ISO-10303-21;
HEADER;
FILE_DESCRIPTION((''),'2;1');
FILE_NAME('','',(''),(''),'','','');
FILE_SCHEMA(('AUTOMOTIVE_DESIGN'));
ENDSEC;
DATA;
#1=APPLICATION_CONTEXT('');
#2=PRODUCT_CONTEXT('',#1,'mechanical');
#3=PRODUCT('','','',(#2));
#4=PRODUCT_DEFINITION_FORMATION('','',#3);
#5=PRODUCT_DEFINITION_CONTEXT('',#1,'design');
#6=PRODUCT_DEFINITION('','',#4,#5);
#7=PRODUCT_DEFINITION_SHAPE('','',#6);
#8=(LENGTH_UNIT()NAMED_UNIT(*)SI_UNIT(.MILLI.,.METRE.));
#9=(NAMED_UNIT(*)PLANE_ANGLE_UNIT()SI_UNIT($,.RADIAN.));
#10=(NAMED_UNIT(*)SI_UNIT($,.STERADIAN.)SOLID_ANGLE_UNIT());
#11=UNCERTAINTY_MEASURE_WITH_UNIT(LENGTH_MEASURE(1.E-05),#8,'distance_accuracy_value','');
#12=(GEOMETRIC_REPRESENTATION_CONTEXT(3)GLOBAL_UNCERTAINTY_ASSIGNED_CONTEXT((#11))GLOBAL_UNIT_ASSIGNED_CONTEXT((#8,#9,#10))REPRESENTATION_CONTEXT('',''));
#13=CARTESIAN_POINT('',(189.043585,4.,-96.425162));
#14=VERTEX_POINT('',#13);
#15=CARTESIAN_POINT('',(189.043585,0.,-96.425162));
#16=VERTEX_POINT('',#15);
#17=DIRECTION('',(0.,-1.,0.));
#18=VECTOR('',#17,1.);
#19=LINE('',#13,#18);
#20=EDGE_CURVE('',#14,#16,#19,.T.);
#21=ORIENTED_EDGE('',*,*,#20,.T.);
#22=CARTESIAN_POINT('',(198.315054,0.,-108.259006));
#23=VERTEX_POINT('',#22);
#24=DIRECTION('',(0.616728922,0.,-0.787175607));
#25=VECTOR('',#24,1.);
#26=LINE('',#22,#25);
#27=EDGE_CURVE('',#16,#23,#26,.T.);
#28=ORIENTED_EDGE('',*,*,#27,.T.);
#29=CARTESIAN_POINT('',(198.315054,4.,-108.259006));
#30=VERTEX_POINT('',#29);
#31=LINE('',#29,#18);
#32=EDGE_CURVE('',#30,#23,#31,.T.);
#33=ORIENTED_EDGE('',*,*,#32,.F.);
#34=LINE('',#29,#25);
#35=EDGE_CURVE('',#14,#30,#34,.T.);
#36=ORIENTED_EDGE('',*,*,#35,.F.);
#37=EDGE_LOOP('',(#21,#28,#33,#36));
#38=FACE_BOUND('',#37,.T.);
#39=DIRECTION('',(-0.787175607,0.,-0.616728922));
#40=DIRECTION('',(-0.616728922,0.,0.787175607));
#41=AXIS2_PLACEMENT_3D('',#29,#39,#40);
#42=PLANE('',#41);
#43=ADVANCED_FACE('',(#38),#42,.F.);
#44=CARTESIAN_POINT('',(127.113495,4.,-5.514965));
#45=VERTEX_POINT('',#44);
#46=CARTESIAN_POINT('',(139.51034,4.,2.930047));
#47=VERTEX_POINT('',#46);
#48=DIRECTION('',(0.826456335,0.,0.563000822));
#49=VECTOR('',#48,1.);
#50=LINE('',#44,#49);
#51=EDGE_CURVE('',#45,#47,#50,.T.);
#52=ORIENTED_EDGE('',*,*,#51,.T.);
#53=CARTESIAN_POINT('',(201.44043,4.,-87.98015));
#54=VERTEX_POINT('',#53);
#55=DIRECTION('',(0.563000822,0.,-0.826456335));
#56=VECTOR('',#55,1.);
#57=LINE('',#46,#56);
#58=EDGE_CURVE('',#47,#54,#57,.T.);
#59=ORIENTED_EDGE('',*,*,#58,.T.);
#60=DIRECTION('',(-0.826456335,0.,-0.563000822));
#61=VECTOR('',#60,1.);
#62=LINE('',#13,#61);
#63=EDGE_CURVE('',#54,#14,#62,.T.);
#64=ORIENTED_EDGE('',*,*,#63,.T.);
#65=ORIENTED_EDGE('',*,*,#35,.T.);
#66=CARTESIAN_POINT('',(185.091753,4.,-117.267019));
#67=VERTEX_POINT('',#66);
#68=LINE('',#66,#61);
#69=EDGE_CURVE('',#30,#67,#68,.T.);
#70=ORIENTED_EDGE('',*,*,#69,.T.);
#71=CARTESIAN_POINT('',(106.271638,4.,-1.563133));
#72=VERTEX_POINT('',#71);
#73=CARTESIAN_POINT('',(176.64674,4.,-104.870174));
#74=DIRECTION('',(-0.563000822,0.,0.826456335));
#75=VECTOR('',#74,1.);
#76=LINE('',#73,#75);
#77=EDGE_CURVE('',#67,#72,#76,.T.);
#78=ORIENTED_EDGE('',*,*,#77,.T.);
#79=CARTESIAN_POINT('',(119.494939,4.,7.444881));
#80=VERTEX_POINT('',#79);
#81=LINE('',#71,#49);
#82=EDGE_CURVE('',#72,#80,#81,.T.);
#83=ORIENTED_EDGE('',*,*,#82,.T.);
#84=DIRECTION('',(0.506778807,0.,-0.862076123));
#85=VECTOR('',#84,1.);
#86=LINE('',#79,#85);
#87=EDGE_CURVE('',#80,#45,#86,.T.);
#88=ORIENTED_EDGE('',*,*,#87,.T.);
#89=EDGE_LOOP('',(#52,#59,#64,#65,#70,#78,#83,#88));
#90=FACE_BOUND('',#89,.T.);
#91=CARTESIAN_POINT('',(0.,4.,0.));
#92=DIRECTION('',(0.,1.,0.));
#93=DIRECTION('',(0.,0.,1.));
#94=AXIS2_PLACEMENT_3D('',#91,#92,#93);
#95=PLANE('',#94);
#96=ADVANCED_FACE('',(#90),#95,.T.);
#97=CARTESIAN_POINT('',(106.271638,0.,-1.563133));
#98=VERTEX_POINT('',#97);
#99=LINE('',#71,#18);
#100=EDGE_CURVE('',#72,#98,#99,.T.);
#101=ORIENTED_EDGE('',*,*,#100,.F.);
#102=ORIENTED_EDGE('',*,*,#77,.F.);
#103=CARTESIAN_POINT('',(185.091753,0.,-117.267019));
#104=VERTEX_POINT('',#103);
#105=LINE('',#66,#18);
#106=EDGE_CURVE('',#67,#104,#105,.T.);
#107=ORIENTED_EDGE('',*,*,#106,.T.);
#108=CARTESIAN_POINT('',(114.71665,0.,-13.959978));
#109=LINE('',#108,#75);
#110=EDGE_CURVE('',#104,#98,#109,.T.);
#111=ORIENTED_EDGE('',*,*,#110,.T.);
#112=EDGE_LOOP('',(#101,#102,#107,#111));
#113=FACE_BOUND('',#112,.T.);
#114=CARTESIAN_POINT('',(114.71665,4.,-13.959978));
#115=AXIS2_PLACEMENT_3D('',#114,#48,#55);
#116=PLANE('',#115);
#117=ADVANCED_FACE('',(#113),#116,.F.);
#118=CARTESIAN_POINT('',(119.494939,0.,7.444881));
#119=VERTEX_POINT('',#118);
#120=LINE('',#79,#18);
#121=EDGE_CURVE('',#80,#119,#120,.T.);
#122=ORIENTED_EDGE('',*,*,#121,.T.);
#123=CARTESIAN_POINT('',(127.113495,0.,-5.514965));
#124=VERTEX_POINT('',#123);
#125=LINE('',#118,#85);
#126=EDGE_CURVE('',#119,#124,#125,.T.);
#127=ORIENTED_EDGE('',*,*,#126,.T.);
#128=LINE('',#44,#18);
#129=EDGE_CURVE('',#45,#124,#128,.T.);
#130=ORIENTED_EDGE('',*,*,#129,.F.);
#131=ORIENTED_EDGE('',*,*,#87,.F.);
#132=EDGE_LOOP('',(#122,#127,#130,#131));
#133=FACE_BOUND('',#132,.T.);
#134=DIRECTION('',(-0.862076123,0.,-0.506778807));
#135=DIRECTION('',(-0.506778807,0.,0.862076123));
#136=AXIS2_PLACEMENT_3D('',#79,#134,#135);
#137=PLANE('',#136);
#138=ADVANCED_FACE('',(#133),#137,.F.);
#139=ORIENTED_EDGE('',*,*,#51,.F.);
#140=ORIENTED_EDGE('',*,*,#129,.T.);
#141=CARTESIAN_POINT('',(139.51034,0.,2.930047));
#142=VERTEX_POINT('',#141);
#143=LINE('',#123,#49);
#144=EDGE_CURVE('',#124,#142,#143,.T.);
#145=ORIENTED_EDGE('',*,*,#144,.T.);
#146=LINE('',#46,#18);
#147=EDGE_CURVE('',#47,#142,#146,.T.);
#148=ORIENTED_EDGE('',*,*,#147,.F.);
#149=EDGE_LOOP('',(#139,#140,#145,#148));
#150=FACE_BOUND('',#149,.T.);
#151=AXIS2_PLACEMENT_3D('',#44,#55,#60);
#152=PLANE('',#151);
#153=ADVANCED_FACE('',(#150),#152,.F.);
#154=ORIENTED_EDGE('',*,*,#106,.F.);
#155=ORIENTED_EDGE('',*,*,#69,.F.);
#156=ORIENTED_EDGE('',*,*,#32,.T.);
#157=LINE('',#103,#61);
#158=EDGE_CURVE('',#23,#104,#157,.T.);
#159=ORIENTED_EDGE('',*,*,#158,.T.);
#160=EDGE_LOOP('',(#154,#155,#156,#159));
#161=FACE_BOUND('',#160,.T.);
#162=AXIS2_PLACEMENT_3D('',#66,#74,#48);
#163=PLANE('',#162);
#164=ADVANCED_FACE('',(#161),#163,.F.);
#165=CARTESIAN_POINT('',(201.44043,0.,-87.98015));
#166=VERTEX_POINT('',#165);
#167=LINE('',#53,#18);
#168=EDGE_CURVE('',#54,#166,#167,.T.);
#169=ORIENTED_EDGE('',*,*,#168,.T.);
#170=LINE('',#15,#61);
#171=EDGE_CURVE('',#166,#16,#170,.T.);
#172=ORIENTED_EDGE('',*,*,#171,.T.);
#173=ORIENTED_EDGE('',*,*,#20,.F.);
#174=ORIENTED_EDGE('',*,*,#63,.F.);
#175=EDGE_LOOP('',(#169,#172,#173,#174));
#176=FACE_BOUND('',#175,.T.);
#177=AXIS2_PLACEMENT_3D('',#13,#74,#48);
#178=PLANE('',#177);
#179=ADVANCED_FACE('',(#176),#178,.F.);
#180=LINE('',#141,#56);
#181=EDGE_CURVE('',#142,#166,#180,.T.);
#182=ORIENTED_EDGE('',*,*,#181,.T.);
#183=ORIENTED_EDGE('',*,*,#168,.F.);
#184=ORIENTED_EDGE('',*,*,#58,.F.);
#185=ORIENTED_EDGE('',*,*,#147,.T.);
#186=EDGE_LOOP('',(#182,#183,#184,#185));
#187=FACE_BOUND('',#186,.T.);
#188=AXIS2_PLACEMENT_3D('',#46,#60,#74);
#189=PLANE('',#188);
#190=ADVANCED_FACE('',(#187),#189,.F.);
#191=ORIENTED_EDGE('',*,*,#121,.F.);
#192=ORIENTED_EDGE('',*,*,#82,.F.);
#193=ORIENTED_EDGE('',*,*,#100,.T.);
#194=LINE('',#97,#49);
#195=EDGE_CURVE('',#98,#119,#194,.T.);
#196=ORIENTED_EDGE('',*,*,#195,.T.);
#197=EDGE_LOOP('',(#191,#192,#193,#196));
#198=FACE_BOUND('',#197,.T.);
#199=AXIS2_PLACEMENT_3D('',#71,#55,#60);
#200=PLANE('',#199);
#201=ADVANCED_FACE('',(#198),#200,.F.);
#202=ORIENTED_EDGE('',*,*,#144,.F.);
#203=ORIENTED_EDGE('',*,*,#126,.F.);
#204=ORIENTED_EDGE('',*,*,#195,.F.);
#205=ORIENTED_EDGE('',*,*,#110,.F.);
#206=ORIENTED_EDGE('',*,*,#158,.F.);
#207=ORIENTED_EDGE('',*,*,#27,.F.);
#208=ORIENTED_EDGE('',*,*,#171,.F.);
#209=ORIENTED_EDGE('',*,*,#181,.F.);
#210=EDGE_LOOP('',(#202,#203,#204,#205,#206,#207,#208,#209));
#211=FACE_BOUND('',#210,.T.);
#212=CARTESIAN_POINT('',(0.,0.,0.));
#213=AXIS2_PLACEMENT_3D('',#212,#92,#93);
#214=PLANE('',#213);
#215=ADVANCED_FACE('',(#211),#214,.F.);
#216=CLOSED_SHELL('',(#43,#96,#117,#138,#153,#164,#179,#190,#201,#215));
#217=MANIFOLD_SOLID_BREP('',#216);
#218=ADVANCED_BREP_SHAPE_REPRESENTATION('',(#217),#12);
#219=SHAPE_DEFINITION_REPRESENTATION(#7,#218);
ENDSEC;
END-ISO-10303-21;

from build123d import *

# Parameters (mm, degrees)
BOSS_EXTRUDE1_DEPTH = 4


with BuildPart() as part:
    # Sketch4 → Boss-Extrude1 (new body)
    with BuildSketch(Plane(origin=(0, 0, 0), x_dir=(1, 0, 0), z_dir=(0, 1, 0))):
        Polygon((139.51034, -2.930047082), (201.440430451, 87.980149797), (189.043585422, 96.425162132), (198.315054091, 108.259006338), (185.091752727, 117.267019495), (176.646740392, 104.870174466), (114.716649942, 13.959977586), (106.271637607, 1.563132557), (119.494938972, -7.4448806), (127.113494971, 5.514965252), align=None)
    extrude(amount=BOSS_EXTRUDE1_DEPTH)


solid = part.part
